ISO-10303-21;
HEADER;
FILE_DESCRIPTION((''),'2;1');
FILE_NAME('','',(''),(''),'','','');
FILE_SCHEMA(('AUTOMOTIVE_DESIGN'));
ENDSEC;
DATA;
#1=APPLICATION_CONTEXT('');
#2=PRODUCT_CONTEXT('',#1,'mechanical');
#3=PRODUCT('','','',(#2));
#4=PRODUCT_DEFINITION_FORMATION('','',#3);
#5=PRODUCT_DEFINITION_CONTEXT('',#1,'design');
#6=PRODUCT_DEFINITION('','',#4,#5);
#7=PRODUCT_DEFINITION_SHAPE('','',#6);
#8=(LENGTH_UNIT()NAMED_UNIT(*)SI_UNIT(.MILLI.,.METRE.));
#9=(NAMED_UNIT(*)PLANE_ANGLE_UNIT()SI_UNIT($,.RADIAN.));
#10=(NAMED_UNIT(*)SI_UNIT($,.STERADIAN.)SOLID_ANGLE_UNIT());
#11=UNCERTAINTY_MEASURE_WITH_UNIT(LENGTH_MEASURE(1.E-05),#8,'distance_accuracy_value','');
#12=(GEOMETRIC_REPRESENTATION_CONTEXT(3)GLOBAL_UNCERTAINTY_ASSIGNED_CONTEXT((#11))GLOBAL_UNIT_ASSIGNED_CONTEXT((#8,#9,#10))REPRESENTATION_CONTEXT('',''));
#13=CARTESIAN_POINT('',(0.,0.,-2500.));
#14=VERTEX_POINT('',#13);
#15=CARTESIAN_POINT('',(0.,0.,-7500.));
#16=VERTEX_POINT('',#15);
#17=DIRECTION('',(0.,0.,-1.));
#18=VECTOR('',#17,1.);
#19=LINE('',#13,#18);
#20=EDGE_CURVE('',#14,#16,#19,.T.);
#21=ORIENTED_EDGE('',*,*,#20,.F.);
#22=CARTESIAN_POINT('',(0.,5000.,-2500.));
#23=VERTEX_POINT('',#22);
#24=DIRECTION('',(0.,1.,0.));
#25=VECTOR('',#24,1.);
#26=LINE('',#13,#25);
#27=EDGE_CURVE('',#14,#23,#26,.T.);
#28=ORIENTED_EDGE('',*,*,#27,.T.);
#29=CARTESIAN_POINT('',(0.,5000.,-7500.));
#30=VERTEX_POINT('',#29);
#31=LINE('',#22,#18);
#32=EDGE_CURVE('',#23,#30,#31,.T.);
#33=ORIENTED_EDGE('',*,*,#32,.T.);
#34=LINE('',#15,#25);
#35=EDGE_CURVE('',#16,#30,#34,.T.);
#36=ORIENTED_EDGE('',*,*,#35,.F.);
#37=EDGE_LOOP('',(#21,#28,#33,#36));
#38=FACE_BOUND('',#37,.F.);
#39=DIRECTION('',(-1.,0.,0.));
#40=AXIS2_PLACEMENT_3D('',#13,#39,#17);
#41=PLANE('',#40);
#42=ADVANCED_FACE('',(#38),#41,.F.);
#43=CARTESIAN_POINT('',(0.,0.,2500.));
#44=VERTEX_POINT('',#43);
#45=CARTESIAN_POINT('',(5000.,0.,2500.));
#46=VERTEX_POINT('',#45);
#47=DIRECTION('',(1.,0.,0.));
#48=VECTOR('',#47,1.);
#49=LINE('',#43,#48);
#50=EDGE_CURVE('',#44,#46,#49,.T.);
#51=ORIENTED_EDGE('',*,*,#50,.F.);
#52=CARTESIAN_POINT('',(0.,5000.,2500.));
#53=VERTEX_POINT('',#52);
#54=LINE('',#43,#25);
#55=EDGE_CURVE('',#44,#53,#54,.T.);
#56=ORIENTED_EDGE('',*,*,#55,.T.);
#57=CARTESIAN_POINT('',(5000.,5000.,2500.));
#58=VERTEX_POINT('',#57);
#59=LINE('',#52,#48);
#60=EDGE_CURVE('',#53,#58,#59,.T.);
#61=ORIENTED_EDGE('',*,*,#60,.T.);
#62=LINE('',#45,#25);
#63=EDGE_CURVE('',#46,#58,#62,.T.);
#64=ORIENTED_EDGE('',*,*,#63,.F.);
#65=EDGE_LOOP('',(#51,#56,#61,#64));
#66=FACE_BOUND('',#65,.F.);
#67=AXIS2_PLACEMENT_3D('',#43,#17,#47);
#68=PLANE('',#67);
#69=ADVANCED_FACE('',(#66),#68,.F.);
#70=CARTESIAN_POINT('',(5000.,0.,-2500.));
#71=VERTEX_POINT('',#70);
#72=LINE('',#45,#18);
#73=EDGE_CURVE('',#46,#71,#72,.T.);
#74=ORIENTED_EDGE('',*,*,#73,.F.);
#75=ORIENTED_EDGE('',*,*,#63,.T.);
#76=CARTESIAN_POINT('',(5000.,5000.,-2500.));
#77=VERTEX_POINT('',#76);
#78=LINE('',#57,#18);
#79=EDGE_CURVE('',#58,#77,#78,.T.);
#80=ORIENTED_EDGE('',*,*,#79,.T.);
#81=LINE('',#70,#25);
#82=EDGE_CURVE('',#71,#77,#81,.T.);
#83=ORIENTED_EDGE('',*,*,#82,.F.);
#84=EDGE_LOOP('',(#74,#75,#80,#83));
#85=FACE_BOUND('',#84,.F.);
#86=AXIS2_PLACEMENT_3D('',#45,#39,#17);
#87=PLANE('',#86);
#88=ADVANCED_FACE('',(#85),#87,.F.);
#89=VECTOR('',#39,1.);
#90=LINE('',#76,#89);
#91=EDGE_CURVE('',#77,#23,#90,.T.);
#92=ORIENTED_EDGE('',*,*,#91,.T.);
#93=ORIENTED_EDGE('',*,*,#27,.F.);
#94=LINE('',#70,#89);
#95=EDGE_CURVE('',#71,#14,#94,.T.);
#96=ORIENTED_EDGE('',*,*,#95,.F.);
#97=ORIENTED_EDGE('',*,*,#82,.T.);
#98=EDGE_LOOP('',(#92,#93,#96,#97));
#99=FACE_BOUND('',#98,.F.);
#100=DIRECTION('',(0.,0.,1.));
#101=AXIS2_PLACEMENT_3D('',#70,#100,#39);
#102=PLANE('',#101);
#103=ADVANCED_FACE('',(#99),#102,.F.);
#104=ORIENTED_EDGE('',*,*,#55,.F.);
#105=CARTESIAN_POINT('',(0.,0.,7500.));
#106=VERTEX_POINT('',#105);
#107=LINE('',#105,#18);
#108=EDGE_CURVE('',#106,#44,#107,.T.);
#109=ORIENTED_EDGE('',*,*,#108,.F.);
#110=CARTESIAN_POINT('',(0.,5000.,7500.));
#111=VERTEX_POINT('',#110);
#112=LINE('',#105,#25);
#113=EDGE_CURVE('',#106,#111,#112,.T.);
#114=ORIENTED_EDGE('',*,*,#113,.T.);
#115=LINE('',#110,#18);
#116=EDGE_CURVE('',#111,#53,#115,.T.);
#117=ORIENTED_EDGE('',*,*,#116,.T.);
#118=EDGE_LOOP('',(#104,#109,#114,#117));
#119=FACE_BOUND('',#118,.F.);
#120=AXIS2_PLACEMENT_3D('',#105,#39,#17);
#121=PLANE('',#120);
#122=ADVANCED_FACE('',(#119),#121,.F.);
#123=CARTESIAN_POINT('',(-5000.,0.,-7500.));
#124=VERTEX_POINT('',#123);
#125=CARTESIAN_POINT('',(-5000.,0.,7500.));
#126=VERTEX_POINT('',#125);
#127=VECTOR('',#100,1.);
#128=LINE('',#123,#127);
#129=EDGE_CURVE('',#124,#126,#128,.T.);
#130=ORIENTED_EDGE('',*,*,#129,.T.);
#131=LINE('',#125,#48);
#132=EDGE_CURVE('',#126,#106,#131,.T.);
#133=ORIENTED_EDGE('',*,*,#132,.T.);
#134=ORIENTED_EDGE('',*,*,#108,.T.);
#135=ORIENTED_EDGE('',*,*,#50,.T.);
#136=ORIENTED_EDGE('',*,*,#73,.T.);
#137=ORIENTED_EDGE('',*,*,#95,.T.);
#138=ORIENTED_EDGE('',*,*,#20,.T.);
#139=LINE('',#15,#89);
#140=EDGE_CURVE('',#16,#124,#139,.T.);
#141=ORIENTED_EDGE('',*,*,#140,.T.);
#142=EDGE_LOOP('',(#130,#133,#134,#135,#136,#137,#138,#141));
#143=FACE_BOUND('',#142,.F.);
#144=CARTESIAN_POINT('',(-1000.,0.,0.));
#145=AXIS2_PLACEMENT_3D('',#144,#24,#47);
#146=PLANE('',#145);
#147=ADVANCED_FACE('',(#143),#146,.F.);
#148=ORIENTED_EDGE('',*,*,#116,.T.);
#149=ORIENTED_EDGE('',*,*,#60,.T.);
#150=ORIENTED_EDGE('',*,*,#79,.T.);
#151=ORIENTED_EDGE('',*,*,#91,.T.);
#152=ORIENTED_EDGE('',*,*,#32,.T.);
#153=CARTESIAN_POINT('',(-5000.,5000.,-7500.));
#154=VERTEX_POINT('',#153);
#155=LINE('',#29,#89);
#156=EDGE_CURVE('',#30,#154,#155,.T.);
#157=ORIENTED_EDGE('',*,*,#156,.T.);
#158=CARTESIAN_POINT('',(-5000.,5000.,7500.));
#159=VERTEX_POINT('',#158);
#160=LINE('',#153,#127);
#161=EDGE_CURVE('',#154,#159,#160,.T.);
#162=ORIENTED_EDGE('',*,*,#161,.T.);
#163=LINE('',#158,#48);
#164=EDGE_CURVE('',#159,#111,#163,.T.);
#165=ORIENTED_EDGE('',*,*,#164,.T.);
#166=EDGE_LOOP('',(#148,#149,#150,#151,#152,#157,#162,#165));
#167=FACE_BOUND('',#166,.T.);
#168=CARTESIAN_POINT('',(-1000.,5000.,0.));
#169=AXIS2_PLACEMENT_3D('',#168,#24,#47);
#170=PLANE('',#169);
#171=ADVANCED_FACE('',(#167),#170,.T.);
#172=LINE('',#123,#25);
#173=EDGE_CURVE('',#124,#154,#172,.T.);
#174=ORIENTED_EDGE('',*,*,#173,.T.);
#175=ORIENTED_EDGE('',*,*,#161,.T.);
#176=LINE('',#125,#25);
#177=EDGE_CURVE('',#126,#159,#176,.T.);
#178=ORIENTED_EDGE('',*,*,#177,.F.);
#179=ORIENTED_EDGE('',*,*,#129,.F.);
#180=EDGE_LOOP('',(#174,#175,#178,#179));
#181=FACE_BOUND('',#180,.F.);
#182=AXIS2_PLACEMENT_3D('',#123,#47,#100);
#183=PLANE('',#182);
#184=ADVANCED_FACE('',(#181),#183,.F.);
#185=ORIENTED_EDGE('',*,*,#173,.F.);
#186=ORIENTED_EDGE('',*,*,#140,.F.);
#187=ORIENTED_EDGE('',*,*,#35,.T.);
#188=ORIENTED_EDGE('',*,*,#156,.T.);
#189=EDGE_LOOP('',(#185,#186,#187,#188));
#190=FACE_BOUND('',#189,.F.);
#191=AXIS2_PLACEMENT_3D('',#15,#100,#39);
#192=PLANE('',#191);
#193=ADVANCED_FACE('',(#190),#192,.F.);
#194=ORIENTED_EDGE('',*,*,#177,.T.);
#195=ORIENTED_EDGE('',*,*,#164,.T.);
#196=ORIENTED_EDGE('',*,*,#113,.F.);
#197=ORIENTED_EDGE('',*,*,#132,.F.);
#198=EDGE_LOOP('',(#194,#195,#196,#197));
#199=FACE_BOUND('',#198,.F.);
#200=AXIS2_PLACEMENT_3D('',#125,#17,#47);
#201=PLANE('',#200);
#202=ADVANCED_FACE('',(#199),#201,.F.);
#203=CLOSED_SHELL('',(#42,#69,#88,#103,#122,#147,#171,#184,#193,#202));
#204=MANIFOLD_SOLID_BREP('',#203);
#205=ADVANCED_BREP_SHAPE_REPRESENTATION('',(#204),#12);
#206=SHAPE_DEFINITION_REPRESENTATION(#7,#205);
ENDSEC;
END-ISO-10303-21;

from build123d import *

# Parameters (mm, degrees)
BOSS_EXTRUDE1_DEPTH = 5000


with BuildPart() as part:
    # Sketch1 → Boss-Extrude1 (new body)
    with BuildSketch(Plane(origin=(0, 0, 0), x_dir=(1, 0, 0), z_dir=(0, 1, 0))):
        Polygon((-5000, 7500), (-5000, -7500), (0, -7500), (0, -2500), (5000, -2500), (5000, 2500), (0, 2500), (0, 7500), align=None)
    extrude(amount=BOSS_EXTRUDE1_DEPTH)


solid = part.part
